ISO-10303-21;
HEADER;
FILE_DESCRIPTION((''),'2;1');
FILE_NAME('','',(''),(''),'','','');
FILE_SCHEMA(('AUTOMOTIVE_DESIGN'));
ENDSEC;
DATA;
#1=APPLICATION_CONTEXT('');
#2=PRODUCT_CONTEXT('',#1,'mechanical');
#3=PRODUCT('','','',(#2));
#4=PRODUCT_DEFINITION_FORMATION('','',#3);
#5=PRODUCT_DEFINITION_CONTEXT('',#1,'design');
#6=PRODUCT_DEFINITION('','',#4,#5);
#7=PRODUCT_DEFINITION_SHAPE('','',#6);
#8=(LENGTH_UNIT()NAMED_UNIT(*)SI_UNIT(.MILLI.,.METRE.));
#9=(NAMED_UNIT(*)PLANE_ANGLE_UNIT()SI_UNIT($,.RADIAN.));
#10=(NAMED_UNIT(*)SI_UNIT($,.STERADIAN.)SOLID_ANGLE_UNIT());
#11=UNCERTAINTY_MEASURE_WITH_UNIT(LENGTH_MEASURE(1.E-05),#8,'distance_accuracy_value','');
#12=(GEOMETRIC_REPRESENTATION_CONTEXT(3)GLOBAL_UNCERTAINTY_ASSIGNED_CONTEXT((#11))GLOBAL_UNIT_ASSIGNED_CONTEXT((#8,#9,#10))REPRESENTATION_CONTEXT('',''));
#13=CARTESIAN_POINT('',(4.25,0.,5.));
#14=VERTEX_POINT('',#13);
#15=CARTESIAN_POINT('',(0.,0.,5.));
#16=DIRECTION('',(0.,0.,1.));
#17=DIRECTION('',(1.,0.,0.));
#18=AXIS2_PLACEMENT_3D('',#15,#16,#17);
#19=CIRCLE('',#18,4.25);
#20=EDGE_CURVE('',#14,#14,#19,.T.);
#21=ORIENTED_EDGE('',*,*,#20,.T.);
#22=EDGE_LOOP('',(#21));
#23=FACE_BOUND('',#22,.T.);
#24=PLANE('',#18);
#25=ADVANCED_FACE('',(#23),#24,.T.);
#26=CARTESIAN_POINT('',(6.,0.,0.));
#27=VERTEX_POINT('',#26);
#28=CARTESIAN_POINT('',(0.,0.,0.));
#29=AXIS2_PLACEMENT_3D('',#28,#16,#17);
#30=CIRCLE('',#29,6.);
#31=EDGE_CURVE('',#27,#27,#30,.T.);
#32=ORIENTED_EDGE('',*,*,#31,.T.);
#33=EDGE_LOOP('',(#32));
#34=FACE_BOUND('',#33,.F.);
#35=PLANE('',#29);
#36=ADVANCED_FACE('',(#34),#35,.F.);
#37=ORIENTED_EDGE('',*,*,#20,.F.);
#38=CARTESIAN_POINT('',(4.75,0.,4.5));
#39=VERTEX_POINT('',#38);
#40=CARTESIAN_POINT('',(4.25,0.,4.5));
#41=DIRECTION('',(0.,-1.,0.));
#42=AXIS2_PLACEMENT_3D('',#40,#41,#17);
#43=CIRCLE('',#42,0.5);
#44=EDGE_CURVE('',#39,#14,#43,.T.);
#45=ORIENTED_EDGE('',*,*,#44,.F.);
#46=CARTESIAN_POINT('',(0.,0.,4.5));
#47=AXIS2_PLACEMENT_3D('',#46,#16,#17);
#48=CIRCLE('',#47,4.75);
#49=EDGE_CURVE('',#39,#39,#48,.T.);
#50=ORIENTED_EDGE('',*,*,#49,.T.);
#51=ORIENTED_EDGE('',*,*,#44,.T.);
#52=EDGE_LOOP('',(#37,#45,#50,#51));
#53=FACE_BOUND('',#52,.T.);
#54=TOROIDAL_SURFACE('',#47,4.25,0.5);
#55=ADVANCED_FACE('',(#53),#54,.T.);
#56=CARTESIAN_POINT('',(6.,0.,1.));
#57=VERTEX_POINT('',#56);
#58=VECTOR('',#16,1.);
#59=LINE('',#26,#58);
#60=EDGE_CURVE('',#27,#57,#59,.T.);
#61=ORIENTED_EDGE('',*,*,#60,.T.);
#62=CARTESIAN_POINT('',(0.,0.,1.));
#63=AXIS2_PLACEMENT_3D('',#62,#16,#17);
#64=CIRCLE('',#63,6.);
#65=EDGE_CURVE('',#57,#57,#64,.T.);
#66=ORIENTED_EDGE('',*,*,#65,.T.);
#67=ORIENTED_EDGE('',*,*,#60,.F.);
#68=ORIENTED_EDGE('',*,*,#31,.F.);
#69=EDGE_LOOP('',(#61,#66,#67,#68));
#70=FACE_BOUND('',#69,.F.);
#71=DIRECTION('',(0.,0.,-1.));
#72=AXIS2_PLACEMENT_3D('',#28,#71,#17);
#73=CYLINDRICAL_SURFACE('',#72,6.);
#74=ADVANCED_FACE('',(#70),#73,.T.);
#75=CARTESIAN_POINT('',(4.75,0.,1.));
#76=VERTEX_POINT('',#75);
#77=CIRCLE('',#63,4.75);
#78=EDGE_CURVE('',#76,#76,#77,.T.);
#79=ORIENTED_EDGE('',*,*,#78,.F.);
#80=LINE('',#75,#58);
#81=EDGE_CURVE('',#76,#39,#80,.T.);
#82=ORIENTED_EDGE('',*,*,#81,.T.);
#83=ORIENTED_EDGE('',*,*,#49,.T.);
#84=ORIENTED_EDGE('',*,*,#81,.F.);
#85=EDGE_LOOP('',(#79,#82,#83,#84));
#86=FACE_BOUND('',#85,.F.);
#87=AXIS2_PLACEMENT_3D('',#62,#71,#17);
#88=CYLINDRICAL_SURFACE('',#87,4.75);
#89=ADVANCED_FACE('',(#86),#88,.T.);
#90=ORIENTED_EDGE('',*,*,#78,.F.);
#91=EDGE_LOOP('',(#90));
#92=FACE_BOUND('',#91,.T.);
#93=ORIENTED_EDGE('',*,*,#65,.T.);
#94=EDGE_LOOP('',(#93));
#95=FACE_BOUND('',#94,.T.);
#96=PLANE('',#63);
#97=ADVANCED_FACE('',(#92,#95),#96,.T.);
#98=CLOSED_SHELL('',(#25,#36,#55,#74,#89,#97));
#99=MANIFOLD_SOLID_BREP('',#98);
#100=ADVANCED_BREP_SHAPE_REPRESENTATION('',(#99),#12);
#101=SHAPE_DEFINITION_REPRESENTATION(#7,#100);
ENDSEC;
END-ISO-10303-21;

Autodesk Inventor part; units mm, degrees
ref_plane "YZ Plane" through (0, 0, 0) normal (1, 0, 0) x (0, 1, 0)
ref_plane "XZ Plane" through (0, 0, 0) normal (0, 1, 0) x (-1, 0, 0)
ref_plane "XY Plane" through (0, 0, 0) normal (0, 0, 1) x (1, 0, 0)
sketch "Sketch1" plane through (0, 0, 0) normal (0, 0, 1) x (1, 0, 0)
  circle A0 centre (0, 0) radius 6
  dimension "d6" = 12
extrude "Extrusion1" add sketch "Sketch1" along normal blind 1
sketch "Sketch2" plane through (0, 0, 1) normal (0, 0, 1) x (1, 0, 0)
  circle A0 centre (0, 0) radius 4.75
  dimension "d5" = 9.5
extrude "Extrusion2" add sketch "Sketch2" along normal blind 4
fillet "Fillet1" radius 0.5 1 edges at (-4.75, 0, 5)
properties part number "Button"
